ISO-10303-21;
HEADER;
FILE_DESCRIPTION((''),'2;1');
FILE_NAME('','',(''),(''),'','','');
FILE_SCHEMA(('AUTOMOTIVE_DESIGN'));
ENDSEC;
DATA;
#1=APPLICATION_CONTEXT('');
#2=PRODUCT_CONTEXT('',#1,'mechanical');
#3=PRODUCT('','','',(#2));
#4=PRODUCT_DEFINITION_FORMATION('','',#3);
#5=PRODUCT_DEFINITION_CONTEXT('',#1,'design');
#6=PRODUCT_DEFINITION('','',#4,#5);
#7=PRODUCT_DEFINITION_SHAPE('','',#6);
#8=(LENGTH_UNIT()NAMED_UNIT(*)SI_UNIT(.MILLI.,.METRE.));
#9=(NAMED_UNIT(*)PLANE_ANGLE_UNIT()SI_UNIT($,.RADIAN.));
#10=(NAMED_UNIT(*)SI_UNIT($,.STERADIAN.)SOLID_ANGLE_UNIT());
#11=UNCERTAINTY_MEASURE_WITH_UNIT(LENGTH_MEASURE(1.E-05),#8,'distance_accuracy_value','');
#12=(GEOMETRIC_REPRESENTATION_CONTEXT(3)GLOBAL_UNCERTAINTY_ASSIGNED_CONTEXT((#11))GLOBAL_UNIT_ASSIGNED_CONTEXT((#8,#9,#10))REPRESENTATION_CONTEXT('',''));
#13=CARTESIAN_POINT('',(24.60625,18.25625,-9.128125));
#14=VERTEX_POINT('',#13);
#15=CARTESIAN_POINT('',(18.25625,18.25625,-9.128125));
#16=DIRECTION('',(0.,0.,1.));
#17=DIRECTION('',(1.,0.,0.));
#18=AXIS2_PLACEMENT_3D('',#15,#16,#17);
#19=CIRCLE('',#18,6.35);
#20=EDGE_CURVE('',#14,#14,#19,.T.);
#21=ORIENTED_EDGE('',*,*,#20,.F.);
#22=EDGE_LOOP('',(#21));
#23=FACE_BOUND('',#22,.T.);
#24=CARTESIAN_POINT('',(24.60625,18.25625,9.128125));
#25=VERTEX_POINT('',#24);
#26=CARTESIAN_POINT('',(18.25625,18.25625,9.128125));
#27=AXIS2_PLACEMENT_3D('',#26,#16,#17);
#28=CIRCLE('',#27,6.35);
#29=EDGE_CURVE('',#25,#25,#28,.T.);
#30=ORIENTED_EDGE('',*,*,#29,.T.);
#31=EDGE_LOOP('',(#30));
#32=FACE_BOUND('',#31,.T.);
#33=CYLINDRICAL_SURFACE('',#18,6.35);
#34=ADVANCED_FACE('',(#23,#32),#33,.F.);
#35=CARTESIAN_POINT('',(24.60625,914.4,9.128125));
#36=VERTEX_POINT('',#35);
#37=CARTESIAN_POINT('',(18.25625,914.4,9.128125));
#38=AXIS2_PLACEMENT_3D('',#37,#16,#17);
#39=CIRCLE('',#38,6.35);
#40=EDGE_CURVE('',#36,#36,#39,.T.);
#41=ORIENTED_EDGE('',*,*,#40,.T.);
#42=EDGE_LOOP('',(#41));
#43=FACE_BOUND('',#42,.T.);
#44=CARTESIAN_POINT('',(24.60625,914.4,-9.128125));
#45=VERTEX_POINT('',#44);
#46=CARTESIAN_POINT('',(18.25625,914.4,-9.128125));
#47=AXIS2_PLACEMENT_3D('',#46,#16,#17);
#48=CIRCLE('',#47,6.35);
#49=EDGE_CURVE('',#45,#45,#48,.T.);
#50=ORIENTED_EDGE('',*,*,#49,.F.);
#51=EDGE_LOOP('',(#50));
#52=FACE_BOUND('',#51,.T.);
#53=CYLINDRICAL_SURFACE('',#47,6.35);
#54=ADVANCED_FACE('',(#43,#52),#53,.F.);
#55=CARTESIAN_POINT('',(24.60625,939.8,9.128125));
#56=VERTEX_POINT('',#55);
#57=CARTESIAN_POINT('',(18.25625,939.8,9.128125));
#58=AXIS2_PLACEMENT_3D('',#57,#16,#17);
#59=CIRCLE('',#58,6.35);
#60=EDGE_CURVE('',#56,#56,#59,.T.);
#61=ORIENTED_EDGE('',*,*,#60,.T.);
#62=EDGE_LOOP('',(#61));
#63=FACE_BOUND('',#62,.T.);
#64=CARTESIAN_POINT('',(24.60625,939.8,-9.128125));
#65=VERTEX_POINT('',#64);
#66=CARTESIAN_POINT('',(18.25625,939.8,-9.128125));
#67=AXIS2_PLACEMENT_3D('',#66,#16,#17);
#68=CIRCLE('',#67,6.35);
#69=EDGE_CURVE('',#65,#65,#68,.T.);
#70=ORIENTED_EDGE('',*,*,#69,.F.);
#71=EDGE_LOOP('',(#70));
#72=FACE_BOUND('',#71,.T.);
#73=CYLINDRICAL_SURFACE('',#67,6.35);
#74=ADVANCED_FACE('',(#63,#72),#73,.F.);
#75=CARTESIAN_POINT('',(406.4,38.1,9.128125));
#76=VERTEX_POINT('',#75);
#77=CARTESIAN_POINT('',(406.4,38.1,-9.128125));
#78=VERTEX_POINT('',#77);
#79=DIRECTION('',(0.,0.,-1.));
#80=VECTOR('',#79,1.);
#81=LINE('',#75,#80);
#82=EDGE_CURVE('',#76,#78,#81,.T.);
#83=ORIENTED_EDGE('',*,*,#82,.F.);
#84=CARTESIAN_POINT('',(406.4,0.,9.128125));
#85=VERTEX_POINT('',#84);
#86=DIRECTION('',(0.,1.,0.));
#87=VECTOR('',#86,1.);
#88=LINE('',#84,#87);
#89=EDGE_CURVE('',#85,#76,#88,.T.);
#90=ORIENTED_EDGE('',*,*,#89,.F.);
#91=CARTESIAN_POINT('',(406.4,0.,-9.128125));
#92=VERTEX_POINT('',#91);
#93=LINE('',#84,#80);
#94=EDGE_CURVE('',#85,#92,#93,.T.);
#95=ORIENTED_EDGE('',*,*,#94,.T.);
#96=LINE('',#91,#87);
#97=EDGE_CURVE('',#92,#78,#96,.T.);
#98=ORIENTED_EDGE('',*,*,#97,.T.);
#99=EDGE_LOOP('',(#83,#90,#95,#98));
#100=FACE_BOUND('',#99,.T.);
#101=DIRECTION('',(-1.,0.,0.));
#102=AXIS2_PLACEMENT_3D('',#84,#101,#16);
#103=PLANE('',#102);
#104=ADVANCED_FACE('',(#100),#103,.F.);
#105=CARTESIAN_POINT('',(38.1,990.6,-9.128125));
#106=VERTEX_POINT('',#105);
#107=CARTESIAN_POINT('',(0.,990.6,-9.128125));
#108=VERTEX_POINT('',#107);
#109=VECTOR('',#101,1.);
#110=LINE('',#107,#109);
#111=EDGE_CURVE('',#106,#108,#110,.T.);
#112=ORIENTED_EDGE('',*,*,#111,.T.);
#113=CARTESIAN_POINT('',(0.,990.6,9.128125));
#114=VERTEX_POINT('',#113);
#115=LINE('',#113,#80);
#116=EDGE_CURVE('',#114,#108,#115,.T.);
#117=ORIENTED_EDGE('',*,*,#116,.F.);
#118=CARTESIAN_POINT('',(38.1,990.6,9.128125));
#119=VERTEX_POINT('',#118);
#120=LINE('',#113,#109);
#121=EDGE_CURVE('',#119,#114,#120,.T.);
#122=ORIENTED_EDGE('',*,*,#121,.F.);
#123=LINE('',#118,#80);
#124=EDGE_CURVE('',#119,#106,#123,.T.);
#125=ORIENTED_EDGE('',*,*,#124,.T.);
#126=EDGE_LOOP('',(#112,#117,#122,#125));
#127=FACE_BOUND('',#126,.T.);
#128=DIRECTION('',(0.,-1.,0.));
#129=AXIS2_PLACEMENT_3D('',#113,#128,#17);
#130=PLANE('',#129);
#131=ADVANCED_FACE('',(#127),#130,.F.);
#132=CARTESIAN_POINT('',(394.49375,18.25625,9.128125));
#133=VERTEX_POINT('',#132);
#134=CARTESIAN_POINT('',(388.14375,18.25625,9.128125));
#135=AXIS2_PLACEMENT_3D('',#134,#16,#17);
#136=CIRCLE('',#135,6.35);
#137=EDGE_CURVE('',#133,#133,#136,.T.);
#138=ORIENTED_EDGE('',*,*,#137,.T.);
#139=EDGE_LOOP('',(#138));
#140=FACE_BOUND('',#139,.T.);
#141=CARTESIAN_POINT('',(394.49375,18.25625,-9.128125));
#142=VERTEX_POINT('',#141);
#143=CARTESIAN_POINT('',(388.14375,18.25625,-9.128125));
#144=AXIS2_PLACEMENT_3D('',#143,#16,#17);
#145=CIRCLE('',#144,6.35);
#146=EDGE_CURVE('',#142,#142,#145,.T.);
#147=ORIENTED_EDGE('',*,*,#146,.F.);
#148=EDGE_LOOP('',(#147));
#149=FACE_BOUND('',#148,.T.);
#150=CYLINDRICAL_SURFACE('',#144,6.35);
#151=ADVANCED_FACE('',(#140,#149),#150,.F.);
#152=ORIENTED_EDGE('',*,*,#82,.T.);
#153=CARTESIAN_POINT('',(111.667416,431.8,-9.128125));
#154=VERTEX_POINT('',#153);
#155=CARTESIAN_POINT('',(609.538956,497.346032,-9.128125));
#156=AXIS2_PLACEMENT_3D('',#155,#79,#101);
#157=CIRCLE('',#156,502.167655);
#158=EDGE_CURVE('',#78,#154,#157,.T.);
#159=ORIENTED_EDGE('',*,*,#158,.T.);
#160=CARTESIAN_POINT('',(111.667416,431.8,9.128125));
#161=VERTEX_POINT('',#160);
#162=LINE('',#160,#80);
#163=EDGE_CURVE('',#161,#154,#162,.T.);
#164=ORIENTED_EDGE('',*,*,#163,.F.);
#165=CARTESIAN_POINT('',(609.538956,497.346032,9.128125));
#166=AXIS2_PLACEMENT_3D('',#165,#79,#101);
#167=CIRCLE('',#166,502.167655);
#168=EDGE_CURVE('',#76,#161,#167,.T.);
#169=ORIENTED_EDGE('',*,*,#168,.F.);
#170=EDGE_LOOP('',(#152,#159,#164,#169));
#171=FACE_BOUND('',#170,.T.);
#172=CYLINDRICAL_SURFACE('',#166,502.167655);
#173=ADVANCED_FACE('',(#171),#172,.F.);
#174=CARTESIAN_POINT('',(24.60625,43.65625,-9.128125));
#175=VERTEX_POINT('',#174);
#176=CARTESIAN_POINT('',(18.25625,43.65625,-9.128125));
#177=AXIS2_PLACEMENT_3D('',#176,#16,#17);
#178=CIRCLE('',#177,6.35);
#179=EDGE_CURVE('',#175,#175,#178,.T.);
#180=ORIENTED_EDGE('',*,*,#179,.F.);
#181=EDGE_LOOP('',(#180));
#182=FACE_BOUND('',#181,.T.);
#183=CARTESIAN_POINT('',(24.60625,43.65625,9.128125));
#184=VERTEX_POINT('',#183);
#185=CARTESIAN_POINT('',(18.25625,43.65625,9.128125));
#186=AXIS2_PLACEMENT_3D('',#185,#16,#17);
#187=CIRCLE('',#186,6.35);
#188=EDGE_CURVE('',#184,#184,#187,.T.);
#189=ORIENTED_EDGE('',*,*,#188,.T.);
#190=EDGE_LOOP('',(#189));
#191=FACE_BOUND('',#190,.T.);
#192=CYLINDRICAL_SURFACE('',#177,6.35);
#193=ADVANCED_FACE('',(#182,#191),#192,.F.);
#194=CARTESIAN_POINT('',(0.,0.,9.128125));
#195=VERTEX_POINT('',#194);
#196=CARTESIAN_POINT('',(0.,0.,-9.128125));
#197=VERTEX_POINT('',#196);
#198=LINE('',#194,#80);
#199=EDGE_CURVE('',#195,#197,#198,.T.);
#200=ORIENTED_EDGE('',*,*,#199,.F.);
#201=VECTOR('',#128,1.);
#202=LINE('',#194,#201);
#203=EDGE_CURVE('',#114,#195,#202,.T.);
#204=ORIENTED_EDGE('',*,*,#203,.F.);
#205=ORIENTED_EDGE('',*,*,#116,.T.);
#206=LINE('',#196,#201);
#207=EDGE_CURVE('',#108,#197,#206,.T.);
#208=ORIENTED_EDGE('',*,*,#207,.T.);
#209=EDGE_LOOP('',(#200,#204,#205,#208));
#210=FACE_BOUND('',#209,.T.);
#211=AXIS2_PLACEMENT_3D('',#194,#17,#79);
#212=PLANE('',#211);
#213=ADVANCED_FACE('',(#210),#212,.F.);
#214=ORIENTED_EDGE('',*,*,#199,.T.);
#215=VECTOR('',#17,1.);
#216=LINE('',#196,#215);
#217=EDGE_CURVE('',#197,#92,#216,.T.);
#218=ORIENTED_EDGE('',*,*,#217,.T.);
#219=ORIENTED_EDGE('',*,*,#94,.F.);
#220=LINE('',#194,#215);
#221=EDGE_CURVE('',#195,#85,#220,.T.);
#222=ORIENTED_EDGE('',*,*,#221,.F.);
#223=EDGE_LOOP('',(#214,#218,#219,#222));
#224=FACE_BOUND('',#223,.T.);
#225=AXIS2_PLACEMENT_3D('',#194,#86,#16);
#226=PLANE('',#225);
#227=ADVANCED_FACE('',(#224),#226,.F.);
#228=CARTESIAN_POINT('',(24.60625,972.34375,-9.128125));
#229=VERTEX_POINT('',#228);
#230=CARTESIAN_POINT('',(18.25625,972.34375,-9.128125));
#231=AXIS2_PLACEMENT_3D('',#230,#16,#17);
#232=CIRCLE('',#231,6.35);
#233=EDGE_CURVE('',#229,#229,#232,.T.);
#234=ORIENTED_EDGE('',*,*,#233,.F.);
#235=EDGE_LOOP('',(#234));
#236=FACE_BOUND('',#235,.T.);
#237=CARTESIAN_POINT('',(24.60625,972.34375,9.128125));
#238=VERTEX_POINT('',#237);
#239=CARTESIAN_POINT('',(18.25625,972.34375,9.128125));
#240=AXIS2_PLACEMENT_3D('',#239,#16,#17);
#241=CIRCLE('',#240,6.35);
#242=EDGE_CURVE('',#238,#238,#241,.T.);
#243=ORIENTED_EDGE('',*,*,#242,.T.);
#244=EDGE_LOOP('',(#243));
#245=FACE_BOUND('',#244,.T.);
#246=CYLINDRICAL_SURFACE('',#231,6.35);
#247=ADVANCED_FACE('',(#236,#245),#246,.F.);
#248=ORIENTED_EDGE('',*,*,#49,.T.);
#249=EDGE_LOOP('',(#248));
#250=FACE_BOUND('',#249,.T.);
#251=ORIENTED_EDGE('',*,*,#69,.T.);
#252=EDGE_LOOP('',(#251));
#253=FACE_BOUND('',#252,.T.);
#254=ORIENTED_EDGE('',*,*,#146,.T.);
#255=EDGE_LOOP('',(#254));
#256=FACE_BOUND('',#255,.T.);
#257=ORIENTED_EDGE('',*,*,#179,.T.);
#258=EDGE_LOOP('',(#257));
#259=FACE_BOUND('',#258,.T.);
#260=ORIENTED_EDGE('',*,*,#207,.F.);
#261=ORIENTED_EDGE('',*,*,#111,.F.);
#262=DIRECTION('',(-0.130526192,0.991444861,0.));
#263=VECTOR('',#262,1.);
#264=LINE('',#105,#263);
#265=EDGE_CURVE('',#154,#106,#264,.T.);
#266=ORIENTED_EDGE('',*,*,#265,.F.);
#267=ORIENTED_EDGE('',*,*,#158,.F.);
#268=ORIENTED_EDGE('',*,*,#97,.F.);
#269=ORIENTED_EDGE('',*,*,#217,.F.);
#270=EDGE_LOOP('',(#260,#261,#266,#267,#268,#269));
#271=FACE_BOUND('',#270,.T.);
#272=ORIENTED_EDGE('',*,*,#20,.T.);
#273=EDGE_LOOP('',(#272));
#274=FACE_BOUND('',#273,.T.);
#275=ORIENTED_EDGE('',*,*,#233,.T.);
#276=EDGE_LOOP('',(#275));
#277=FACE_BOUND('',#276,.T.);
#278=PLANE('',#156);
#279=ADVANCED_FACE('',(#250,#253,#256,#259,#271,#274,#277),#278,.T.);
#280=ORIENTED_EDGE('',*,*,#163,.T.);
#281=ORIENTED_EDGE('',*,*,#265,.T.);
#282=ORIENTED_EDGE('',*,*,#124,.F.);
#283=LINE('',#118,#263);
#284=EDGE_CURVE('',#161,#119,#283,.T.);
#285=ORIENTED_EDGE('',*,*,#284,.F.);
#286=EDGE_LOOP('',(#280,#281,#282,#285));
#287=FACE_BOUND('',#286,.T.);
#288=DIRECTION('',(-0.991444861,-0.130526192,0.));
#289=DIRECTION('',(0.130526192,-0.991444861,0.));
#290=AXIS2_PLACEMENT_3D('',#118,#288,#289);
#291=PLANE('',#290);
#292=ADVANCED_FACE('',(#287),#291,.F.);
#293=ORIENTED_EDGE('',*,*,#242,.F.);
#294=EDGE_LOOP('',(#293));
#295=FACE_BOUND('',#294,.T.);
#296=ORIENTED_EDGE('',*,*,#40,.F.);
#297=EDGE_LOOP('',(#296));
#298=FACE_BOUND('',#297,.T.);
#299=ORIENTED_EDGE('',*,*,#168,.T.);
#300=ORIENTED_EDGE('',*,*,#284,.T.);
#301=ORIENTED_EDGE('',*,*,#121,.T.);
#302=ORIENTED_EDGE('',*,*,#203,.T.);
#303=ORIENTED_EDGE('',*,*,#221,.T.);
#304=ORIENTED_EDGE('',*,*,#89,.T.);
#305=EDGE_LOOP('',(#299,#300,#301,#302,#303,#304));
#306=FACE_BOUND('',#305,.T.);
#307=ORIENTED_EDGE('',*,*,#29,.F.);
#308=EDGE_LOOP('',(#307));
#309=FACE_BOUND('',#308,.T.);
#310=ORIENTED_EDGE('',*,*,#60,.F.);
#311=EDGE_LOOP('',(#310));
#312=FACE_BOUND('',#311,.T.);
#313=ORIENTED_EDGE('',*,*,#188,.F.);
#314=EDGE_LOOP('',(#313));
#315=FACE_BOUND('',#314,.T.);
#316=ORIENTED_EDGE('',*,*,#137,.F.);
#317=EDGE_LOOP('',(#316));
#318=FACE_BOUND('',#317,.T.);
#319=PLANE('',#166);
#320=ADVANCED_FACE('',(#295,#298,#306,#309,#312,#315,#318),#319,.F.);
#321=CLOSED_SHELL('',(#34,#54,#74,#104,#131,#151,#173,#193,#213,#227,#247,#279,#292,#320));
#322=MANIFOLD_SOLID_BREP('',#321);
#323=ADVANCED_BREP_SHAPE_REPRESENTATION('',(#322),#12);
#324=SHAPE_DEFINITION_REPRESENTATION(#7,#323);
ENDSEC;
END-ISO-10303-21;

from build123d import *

# Parameters (mm, degrees)
BOSS_EXTRUDE1_DEPTH = 9.128125
SKETCH2_R           = 6.35
CUT_EXTRUDE1_DEPTH  = 1071.879363264


with BuildPart() as part:
    # Sketch1 → Boss-Extrude1 (new, symmetric)
    with BuildSketch(Plane.XY):
        with BuildLine():
            Line((0, 0), (406.4, 0))
            Line((406.4, 0), (406.4, 38.1))
            ThreePointArc((406.4, 38.1), (207.539140749, 196.40002074), (111.667415652, 431.8))
            Line((111.667415652, 431.8), (38.1, 990.6))
            Line((38.1, 990.6), (0, 990.6))
            Line((0, 990.6), (0, 0))
        make_face()
    extrude(amount=BOSS_EXTRUDE1_DEPTH, both=True)

    # Sketch2 → Cut-Extrude1 (cut, through all)
    with BuildSketch(Plane.XY.offset(9.128125)):
        with Locations((18.25625, 972.34375)):
            Circle(SKETCH2_R)
        with Locations((18.25625, 18.25625)):
            Circle(SKETCH2_R)
        with Locations((388.14375, 18.25625)):
            Circle(SKETCH2_R)
        with Locations((18.25625, 43.65625)):
            Circle(SKETCH2_R)
        with Locations((18.25625, 939.8)):
            Circle(SKETCH2_R)
        with Locations((18.25625, 914.4)):
            Circle(SKETCH2_R)
    extrude(amount=-CUT_EXTRUDE1_DEPTH, mode=Mode.SUBTRACT)


solid = part.part
